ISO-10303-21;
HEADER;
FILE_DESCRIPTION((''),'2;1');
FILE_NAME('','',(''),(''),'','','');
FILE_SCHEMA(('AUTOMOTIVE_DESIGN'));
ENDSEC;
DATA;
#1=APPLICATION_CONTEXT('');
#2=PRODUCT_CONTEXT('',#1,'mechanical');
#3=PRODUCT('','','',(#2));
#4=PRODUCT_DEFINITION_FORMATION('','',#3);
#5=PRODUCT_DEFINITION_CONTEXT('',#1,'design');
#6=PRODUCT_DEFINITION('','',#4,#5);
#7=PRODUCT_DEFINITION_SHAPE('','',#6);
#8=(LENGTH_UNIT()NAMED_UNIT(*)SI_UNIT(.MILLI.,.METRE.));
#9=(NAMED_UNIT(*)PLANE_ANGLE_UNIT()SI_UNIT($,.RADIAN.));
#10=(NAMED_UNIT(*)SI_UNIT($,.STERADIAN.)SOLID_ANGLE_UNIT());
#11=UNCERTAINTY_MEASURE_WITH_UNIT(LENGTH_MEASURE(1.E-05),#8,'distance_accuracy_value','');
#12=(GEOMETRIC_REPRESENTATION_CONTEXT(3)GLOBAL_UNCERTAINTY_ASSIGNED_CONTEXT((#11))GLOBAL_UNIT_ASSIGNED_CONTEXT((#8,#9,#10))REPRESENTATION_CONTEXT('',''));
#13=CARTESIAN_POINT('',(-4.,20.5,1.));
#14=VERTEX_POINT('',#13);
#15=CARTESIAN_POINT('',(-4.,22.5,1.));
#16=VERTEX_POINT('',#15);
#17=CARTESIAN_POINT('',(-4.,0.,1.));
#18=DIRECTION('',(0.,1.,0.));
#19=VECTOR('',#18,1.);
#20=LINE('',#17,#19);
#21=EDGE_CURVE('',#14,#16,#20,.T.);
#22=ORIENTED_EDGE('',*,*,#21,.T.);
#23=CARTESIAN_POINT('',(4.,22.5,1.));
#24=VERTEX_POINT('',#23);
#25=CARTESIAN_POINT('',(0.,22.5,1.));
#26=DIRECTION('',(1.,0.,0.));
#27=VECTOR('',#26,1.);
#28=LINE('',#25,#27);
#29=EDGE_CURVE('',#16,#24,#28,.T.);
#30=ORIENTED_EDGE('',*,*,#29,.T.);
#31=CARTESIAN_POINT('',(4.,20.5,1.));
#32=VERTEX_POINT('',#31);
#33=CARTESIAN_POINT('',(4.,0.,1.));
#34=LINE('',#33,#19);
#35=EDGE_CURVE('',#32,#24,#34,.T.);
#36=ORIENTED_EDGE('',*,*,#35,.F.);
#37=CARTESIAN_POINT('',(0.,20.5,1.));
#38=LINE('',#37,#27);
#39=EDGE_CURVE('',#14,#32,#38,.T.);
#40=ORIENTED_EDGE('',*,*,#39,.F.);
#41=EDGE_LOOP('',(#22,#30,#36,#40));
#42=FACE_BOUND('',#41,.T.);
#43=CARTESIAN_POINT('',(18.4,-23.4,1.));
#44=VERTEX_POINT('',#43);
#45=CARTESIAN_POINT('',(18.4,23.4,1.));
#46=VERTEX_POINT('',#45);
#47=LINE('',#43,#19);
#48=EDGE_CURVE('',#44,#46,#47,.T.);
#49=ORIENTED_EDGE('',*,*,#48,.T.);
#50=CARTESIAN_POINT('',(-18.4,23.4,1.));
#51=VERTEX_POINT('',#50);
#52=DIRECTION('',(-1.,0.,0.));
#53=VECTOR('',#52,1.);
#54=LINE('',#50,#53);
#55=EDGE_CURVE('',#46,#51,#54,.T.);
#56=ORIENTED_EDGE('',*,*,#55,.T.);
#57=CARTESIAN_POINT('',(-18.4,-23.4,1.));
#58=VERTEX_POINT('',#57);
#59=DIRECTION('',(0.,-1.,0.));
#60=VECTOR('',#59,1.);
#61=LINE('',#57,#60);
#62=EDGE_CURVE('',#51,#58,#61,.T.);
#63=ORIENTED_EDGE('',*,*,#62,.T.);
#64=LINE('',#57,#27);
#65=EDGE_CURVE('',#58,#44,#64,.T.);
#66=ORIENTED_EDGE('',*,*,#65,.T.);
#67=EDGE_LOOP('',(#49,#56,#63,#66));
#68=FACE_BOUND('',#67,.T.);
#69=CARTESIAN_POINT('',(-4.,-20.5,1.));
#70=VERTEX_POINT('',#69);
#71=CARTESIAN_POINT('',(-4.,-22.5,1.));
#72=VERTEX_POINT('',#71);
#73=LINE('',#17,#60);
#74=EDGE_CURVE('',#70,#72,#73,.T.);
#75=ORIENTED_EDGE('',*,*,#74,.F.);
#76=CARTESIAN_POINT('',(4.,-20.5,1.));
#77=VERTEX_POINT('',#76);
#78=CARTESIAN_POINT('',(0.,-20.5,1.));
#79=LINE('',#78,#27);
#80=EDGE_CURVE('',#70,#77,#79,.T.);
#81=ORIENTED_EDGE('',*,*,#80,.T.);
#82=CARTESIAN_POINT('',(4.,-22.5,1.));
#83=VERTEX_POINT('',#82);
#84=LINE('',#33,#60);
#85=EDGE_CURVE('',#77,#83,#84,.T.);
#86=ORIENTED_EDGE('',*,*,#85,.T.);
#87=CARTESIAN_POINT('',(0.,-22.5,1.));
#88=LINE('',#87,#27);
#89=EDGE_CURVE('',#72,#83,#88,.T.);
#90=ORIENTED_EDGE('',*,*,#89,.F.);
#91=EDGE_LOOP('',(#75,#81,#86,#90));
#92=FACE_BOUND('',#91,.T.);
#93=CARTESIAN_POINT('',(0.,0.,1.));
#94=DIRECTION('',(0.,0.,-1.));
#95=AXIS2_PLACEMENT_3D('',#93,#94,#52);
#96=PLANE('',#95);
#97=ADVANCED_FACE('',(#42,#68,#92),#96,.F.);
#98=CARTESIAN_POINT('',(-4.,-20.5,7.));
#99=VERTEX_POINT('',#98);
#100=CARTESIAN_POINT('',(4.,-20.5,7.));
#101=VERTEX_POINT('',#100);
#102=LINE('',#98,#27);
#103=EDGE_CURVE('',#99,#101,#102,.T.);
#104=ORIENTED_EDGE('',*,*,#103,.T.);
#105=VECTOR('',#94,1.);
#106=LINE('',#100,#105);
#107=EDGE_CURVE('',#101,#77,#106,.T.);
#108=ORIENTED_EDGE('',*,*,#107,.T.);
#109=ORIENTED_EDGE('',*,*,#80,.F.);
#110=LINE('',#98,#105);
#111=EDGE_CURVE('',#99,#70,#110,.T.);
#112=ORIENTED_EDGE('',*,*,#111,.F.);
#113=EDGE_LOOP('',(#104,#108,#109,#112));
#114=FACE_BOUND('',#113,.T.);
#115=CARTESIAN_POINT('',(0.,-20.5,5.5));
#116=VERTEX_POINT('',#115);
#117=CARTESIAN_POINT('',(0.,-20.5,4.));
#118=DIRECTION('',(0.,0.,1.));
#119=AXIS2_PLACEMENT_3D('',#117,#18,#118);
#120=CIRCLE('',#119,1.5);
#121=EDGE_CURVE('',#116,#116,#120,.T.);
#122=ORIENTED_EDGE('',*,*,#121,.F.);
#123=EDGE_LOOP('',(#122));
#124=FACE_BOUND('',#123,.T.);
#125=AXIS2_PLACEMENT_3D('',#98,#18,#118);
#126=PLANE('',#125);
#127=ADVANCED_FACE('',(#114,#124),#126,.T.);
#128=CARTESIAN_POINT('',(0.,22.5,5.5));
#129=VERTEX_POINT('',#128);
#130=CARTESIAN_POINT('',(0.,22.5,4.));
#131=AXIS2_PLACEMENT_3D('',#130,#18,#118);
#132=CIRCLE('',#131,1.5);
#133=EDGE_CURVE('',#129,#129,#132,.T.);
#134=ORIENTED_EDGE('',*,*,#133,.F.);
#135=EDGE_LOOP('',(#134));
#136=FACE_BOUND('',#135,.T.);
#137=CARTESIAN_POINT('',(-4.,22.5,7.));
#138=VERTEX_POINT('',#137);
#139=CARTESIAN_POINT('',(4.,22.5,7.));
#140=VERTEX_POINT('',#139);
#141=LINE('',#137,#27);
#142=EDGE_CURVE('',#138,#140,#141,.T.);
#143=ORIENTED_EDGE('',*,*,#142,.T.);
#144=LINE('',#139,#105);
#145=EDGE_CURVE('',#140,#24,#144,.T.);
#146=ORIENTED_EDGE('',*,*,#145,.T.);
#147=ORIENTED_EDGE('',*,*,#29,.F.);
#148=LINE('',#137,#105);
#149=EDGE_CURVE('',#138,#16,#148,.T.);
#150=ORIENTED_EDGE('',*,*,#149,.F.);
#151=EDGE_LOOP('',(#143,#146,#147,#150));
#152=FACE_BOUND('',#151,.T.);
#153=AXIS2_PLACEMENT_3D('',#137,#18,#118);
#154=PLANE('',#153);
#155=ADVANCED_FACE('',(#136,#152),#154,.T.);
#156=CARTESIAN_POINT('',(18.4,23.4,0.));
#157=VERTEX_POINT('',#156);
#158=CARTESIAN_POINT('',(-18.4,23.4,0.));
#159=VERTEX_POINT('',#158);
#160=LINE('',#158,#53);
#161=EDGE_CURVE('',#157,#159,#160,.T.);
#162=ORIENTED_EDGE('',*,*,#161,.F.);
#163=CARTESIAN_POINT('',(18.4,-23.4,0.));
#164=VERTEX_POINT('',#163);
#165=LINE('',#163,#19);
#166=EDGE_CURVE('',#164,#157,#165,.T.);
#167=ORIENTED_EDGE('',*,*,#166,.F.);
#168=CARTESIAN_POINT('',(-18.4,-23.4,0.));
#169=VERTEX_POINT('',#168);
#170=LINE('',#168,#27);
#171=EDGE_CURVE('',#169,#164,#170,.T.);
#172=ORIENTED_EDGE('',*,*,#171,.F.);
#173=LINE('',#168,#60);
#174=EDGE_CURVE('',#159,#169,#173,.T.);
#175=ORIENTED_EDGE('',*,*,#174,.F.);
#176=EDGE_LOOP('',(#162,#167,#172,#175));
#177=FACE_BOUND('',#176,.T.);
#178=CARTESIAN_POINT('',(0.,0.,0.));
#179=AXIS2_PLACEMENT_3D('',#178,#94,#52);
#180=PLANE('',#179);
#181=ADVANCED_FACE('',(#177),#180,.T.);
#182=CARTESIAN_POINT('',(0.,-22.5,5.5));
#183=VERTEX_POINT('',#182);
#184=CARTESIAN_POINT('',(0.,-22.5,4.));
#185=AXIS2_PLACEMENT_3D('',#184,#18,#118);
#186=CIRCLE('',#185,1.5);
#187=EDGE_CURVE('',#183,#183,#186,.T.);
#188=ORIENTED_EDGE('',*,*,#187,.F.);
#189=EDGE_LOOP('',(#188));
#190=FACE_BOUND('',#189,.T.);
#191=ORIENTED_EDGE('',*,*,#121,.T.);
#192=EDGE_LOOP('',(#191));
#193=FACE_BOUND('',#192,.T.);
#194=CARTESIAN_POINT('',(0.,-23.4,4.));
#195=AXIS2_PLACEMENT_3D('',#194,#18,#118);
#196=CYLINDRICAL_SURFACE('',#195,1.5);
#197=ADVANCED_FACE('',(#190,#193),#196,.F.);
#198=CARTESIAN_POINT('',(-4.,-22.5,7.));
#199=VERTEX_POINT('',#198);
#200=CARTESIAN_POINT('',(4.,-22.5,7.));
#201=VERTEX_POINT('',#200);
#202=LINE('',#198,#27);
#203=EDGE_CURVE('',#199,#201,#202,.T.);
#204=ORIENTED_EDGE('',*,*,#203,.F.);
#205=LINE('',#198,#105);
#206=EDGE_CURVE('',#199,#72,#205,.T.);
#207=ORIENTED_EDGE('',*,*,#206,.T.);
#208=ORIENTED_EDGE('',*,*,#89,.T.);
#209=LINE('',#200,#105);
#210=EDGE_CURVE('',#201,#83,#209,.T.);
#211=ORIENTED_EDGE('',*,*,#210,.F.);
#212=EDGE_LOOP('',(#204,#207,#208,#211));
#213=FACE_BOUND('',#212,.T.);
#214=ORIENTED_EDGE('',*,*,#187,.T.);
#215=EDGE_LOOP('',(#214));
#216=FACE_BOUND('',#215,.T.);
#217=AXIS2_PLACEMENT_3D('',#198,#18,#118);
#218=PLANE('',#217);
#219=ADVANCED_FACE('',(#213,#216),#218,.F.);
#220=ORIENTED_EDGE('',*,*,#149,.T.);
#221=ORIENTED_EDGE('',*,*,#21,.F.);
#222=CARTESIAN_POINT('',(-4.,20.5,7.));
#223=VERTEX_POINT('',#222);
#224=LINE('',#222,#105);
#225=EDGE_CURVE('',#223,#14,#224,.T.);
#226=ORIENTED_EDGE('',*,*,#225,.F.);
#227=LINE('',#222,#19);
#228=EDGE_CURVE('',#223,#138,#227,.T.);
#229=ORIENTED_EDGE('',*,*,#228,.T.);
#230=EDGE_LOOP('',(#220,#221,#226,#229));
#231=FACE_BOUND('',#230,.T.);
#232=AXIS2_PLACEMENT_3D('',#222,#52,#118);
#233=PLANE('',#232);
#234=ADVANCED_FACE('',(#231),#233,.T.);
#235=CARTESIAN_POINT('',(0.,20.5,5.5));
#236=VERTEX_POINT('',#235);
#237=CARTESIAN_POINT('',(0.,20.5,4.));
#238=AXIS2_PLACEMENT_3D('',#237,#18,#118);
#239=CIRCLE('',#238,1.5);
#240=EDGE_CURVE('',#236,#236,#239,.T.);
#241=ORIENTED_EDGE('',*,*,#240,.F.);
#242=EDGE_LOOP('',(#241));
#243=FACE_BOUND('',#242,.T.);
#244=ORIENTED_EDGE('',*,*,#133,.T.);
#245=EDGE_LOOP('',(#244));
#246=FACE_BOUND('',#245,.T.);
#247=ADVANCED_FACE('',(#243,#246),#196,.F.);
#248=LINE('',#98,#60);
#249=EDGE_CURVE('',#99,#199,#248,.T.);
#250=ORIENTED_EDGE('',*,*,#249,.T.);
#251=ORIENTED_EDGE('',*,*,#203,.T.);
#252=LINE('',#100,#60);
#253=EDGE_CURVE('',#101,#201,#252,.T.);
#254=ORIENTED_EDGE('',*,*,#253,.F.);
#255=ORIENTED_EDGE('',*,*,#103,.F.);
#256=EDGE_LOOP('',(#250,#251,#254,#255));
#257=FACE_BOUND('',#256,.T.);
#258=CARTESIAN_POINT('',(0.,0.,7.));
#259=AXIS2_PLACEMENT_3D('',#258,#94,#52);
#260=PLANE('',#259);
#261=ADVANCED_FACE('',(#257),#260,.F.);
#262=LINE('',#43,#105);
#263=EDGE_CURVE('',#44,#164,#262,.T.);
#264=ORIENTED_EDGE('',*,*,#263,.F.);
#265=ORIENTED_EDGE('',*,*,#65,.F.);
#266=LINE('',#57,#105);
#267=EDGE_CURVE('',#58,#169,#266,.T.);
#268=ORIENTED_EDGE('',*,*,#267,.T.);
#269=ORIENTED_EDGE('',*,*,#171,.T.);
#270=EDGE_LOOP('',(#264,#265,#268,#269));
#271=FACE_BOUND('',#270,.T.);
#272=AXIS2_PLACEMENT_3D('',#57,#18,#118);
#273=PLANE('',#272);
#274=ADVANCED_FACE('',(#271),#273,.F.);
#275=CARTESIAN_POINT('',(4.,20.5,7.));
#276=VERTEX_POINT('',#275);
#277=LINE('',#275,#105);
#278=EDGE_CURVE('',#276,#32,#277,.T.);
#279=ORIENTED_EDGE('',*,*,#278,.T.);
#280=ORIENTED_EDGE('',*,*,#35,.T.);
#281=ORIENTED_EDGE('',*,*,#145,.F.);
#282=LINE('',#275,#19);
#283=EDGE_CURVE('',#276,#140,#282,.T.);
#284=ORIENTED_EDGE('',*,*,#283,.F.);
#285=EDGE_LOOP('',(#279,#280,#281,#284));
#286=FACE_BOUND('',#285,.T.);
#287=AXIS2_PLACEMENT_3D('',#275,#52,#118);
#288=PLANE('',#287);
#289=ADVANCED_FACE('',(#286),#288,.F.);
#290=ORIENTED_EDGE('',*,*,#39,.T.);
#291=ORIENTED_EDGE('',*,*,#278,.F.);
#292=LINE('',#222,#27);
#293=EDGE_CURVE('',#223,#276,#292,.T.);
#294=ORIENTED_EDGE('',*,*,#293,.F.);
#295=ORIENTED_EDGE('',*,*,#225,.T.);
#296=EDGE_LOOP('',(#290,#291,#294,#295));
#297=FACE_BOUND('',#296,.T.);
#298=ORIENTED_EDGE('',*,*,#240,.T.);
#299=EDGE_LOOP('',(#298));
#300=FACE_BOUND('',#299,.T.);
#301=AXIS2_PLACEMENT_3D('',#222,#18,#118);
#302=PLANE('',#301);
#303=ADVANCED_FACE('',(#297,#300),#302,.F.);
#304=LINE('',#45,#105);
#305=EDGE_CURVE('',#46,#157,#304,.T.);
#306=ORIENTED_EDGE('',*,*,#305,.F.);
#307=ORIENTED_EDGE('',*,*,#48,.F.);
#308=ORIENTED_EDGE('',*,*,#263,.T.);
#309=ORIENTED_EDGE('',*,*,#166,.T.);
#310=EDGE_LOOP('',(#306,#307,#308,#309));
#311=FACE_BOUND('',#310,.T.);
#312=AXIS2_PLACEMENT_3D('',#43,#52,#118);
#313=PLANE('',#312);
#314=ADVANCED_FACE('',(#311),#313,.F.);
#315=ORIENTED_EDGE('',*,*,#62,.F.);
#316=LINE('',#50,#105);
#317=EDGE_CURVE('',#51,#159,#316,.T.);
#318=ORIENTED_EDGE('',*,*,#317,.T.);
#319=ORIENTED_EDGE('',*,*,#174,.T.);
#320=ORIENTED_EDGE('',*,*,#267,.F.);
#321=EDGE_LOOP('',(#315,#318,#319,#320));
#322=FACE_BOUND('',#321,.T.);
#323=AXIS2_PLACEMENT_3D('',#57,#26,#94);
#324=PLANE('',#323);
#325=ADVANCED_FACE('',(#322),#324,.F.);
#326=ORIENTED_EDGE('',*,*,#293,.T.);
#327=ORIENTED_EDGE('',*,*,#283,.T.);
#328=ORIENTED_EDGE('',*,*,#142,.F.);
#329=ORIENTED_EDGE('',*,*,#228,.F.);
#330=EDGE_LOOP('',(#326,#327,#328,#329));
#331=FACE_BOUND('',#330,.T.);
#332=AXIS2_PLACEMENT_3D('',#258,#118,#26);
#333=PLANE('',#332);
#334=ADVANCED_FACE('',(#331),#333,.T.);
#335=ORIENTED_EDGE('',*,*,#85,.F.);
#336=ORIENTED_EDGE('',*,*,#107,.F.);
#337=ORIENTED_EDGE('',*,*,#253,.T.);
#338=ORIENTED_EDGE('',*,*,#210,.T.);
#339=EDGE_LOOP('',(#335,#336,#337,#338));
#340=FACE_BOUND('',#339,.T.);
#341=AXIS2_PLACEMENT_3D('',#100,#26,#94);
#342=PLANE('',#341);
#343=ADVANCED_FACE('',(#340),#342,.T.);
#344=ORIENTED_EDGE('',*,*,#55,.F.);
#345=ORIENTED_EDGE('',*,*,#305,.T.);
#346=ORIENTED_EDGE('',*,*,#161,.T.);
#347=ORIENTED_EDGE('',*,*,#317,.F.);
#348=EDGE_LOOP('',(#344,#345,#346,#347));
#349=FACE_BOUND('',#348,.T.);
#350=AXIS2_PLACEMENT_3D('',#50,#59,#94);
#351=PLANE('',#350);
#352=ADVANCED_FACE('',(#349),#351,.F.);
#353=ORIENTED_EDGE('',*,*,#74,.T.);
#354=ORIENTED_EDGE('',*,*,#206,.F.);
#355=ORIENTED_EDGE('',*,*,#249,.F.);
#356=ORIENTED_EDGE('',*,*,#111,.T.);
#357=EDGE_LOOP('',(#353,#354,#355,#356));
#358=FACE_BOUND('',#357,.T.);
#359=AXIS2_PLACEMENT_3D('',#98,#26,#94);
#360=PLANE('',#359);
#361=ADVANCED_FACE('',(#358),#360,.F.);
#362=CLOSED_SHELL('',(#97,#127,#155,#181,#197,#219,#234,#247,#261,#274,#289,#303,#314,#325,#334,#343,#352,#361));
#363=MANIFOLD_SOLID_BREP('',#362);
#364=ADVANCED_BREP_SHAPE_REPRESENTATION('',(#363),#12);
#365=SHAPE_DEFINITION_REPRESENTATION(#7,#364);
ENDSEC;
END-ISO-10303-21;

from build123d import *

# Parameters (mm, degrees)
CROQUIS1_W              = 36.8
CROQUIS1_H              = 46.8
SALIENTE_EXTRUIR1_DEPTH = 1
CROQUIS2_W              = 8
CROQUIS2_H              = 2
SALIENTE_EXTRUIR2_DEPTH = 7
CROQUIS2_3_W            = 8
CROQUIS2_3_H            = 2
SALIENTE_EXTRUIR3_DEPTH = 7
CROQUIS6_R              = 1.5
CORTAR_EXTRUIR1_DEPTH   = 46.9


with BuildPart() as part:
    # Croquis1 → Saliente-Extruir1 (new body)
    with BuildSketch(Plane.XY):
        Rectangle(CROQUIS1_W, CROQUIS1_H)
    extrude(amount=SALIENTE_EXTRUIR1_DEPTH)

    # Croquis2 → Saliente-Extruir2 (add)
    with BuildSketch(Plane.XY):
        with Locations((0, 21.5)):
            Rectangle(CROQUIS2_W, CROQUIS2_H)
    extrude(amount=SALIENTE_EXTRUIR2_DEPTH)

    # Croquis2<3> → Saliente-Extruir3 (add)
    with BuildSketch(Plane.XY):
        with Locations((0, -21.5)):
            Rectangle(CROQUIS2_3_W, CROQUIS2_3_H)
    extrude(amount=SALIENTE_EXTRUIR3_DEPTH)

    # Croquis6 → Cortar-Extruir1 (cut, through all)
    with BuildSketch(Plane(origin=(0, 22.5, 0), x_dir=(1, 0, 0), z_dir=(0, 1, 0))):
        with Locations((0, -4)):
            Circle(CROQUIS6_R)
    extrude(amount=-CORTAR_EXTRUIR1_DEPTH, mode=Mode.SUBTRACT)


solid = part.part
